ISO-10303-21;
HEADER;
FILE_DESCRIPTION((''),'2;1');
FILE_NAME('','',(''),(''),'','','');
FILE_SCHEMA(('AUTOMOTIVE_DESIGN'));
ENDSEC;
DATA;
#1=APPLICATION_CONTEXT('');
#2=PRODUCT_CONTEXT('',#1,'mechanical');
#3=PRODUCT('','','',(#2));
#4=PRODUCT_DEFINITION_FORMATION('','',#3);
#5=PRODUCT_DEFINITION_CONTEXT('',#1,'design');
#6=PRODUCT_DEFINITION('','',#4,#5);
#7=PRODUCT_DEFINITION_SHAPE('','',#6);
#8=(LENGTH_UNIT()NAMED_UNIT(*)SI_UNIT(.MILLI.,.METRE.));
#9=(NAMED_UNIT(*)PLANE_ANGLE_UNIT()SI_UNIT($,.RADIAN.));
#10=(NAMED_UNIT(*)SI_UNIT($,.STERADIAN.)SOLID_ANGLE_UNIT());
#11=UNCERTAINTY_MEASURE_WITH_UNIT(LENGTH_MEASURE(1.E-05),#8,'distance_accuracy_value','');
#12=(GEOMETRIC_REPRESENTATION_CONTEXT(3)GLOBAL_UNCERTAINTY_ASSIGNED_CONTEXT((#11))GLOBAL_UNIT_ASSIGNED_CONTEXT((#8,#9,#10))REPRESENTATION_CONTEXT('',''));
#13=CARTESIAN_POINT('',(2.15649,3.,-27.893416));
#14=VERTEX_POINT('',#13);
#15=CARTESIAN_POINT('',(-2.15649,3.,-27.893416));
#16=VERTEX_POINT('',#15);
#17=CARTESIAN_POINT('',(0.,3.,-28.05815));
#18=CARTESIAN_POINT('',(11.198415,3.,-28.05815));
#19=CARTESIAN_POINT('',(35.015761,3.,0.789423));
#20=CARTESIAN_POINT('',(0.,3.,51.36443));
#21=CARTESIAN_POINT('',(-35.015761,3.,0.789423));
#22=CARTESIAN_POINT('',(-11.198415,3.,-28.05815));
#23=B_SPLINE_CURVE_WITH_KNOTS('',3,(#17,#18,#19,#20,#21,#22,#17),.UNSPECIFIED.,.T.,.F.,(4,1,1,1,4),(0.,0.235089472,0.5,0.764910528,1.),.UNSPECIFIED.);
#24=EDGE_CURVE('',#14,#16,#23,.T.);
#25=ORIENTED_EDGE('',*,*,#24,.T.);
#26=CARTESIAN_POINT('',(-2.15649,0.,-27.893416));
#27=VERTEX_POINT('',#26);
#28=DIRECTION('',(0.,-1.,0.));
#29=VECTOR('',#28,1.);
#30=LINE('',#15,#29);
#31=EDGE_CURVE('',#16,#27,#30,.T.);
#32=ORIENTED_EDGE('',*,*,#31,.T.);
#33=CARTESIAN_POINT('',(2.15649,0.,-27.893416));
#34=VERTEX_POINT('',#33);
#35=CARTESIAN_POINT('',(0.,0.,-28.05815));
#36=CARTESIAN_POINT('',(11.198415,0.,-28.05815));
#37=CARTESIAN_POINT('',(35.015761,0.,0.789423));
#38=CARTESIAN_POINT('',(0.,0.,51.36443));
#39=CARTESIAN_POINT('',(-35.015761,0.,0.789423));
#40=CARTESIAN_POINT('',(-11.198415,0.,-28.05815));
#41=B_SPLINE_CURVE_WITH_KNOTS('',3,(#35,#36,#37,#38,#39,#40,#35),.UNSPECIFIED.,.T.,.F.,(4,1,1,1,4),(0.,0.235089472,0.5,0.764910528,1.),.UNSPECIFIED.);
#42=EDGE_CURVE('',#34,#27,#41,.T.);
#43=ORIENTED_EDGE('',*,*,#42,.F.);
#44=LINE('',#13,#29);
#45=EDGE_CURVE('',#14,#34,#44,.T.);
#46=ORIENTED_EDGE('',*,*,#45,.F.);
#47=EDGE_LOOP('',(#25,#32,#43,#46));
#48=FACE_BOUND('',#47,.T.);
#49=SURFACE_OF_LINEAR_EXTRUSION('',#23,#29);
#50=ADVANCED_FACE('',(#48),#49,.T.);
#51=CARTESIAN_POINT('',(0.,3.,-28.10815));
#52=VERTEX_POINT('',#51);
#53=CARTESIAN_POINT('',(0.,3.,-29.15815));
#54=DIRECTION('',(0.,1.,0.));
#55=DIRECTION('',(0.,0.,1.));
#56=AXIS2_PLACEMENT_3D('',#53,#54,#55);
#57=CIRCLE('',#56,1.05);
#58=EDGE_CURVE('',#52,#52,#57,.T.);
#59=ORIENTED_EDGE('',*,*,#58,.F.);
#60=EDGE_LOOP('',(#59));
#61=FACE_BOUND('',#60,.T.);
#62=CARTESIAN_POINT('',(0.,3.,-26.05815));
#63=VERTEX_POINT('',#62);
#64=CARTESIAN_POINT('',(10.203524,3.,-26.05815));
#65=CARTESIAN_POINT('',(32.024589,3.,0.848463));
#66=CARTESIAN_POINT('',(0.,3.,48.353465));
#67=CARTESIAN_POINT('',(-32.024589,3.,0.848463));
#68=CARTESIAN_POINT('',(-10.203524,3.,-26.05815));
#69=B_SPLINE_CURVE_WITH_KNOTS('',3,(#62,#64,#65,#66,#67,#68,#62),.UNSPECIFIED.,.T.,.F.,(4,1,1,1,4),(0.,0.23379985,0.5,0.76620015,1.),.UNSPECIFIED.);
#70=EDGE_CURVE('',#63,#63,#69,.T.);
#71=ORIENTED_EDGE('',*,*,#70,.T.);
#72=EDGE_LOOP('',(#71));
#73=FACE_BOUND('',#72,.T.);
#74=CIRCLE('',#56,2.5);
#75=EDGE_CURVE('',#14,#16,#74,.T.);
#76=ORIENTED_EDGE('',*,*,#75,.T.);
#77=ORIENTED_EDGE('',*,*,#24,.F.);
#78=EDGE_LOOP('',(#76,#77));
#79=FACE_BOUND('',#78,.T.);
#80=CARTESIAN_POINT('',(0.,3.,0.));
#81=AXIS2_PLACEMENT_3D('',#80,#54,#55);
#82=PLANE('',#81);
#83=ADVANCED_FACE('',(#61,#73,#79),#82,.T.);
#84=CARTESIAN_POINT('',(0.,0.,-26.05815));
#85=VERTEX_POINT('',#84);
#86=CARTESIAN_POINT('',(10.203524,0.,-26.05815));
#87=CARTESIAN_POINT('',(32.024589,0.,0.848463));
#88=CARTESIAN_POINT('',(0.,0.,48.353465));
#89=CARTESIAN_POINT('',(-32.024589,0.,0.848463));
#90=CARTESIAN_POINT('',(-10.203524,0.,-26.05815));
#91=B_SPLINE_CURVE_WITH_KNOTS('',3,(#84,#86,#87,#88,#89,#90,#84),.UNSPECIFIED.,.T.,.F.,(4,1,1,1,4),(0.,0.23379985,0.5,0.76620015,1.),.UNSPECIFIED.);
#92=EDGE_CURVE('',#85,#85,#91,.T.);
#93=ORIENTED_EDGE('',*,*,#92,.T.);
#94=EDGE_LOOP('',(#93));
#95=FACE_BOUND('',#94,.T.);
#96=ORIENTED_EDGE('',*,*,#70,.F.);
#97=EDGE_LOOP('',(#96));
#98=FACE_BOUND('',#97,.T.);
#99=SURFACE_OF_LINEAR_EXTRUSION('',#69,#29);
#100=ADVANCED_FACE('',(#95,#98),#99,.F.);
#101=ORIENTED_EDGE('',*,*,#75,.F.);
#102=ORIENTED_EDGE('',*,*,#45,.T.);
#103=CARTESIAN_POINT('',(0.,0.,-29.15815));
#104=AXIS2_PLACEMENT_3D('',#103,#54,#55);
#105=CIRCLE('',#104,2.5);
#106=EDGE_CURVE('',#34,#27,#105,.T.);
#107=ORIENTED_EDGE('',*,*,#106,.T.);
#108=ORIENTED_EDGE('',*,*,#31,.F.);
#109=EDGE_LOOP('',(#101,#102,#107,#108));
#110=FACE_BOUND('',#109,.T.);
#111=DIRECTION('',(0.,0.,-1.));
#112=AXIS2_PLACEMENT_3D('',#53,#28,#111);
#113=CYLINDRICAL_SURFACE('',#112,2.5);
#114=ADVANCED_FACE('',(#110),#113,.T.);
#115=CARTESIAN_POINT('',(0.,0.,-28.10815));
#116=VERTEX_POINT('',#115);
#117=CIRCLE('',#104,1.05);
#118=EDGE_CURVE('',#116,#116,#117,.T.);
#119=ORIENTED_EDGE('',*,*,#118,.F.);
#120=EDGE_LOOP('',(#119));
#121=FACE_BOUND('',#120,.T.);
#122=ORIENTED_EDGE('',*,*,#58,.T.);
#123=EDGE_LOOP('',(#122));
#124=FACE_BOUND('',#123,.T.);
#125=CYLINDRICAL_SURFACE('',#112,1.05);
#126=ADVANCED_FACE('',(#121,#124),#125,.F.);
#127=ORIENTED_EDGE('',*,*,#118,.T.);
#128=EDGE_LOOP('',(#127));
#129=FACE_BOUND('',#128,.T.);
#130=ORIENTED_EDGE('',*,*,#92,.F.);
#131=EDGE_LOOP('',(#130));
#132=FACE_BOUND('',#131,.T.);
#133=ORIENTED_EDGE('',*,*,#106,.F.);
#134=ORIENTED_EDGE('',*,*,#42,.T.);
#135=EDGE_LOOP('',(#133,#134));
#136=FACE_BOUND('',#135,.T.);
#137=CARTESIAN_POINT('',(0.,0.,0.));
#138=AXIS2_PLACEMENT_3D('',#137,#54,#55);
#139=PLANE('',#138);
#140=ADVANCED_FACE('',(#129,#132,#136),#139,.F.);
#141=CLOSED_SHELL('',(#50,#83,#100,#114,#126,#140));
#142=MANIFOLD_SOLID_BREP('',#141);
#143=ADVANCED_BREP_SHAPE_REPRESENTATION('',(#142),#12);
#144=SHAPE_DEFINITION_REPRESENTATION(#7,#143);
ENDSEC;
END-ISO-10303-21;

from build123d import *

# Parameters (mm, degrees)
SKETCH1_R           = 1.05
BOSS_EXTRUDE1_DEPTH = 3


with BuildPart() as part:
    # Sketch1 → Boss-Extrude1 (new body)
    # profile 1 of 2: a face of its own
    with BuildSketch(Plane(origin=(0, 0, 0), x_dir=(1, 0, 0), z_dir=(0, 1, 0))):
        with BuildLine():
            add(Edge.make_bspline(
                [(0, 28.05815), (0.719743697, 28.05815), (1.439487395, 28.002120713), (2.156489743, 27.893416041)],
                knots=[0, 0, 0, 0, 0.015109653, 0.015109653, 0.015109653, 0.015109653], degree=3))
            ThreePointArc((2.156489743, 27.893416041), (0, 31.65815), (-2.156489743, 27.893416041))
            add(Edge.make_bspline(
                [(-2.156489743, 27.893416041), (-1.439487395, 28.002120713), (-0.719743697, 28.05815), (0, 28.05815)],
                knots=[0.984890347, 0.984890347, 0.984890347, 0.984890347, 1, 1, 1, 1], degree=3))
        make_face()
        with Locations(Location((0, 29.15815, 0), (0, 0, 270))):
            Circle(SKETCH1_R, mode=Mode.SUBTRACT)
    # profile 2 of 2: a face of its own
    with BuildSketch(Plane(origin=(0, 0, 0), x_dir=(1, 0, 0), z_dir=(0, 1, 0))):
        with BuildLine():
            add(Edge.make_bspline(
                [(0, 28.05815), (11.198414869, 28.05815), (35.015761488, -0.789423133), (0, -51.364430472), (-35.015761488, -0.789423133), (-11.198414869, 28.05815), (0, 28.05815)],
                knots=[0, 0, 0, 0, 0.235089472, 0.5, 0.764910528, 1, 1, 1, 1], degree=3))
        make_face()
        with BuildLine():
            add(Edge.make_bspline(
                [(0, 26.05815), (10.203523677, 26.05815), (32.024589145, -0.848463171), (0, -48.353465233), (-32.024589145, -0.848463171), (-10.203523677, 26.05815), (0, 26.05815)],
                knots=[0, 0, 0, 0, 0.23379985, 0.5, 0.76620015, 1, 1, 1, 1], degree=3))
        make_face(mode=Mode.SUBTRACT)
    extrude(amount=BOSS_EXTRUDE1_DEPTH)


solid = part.part
